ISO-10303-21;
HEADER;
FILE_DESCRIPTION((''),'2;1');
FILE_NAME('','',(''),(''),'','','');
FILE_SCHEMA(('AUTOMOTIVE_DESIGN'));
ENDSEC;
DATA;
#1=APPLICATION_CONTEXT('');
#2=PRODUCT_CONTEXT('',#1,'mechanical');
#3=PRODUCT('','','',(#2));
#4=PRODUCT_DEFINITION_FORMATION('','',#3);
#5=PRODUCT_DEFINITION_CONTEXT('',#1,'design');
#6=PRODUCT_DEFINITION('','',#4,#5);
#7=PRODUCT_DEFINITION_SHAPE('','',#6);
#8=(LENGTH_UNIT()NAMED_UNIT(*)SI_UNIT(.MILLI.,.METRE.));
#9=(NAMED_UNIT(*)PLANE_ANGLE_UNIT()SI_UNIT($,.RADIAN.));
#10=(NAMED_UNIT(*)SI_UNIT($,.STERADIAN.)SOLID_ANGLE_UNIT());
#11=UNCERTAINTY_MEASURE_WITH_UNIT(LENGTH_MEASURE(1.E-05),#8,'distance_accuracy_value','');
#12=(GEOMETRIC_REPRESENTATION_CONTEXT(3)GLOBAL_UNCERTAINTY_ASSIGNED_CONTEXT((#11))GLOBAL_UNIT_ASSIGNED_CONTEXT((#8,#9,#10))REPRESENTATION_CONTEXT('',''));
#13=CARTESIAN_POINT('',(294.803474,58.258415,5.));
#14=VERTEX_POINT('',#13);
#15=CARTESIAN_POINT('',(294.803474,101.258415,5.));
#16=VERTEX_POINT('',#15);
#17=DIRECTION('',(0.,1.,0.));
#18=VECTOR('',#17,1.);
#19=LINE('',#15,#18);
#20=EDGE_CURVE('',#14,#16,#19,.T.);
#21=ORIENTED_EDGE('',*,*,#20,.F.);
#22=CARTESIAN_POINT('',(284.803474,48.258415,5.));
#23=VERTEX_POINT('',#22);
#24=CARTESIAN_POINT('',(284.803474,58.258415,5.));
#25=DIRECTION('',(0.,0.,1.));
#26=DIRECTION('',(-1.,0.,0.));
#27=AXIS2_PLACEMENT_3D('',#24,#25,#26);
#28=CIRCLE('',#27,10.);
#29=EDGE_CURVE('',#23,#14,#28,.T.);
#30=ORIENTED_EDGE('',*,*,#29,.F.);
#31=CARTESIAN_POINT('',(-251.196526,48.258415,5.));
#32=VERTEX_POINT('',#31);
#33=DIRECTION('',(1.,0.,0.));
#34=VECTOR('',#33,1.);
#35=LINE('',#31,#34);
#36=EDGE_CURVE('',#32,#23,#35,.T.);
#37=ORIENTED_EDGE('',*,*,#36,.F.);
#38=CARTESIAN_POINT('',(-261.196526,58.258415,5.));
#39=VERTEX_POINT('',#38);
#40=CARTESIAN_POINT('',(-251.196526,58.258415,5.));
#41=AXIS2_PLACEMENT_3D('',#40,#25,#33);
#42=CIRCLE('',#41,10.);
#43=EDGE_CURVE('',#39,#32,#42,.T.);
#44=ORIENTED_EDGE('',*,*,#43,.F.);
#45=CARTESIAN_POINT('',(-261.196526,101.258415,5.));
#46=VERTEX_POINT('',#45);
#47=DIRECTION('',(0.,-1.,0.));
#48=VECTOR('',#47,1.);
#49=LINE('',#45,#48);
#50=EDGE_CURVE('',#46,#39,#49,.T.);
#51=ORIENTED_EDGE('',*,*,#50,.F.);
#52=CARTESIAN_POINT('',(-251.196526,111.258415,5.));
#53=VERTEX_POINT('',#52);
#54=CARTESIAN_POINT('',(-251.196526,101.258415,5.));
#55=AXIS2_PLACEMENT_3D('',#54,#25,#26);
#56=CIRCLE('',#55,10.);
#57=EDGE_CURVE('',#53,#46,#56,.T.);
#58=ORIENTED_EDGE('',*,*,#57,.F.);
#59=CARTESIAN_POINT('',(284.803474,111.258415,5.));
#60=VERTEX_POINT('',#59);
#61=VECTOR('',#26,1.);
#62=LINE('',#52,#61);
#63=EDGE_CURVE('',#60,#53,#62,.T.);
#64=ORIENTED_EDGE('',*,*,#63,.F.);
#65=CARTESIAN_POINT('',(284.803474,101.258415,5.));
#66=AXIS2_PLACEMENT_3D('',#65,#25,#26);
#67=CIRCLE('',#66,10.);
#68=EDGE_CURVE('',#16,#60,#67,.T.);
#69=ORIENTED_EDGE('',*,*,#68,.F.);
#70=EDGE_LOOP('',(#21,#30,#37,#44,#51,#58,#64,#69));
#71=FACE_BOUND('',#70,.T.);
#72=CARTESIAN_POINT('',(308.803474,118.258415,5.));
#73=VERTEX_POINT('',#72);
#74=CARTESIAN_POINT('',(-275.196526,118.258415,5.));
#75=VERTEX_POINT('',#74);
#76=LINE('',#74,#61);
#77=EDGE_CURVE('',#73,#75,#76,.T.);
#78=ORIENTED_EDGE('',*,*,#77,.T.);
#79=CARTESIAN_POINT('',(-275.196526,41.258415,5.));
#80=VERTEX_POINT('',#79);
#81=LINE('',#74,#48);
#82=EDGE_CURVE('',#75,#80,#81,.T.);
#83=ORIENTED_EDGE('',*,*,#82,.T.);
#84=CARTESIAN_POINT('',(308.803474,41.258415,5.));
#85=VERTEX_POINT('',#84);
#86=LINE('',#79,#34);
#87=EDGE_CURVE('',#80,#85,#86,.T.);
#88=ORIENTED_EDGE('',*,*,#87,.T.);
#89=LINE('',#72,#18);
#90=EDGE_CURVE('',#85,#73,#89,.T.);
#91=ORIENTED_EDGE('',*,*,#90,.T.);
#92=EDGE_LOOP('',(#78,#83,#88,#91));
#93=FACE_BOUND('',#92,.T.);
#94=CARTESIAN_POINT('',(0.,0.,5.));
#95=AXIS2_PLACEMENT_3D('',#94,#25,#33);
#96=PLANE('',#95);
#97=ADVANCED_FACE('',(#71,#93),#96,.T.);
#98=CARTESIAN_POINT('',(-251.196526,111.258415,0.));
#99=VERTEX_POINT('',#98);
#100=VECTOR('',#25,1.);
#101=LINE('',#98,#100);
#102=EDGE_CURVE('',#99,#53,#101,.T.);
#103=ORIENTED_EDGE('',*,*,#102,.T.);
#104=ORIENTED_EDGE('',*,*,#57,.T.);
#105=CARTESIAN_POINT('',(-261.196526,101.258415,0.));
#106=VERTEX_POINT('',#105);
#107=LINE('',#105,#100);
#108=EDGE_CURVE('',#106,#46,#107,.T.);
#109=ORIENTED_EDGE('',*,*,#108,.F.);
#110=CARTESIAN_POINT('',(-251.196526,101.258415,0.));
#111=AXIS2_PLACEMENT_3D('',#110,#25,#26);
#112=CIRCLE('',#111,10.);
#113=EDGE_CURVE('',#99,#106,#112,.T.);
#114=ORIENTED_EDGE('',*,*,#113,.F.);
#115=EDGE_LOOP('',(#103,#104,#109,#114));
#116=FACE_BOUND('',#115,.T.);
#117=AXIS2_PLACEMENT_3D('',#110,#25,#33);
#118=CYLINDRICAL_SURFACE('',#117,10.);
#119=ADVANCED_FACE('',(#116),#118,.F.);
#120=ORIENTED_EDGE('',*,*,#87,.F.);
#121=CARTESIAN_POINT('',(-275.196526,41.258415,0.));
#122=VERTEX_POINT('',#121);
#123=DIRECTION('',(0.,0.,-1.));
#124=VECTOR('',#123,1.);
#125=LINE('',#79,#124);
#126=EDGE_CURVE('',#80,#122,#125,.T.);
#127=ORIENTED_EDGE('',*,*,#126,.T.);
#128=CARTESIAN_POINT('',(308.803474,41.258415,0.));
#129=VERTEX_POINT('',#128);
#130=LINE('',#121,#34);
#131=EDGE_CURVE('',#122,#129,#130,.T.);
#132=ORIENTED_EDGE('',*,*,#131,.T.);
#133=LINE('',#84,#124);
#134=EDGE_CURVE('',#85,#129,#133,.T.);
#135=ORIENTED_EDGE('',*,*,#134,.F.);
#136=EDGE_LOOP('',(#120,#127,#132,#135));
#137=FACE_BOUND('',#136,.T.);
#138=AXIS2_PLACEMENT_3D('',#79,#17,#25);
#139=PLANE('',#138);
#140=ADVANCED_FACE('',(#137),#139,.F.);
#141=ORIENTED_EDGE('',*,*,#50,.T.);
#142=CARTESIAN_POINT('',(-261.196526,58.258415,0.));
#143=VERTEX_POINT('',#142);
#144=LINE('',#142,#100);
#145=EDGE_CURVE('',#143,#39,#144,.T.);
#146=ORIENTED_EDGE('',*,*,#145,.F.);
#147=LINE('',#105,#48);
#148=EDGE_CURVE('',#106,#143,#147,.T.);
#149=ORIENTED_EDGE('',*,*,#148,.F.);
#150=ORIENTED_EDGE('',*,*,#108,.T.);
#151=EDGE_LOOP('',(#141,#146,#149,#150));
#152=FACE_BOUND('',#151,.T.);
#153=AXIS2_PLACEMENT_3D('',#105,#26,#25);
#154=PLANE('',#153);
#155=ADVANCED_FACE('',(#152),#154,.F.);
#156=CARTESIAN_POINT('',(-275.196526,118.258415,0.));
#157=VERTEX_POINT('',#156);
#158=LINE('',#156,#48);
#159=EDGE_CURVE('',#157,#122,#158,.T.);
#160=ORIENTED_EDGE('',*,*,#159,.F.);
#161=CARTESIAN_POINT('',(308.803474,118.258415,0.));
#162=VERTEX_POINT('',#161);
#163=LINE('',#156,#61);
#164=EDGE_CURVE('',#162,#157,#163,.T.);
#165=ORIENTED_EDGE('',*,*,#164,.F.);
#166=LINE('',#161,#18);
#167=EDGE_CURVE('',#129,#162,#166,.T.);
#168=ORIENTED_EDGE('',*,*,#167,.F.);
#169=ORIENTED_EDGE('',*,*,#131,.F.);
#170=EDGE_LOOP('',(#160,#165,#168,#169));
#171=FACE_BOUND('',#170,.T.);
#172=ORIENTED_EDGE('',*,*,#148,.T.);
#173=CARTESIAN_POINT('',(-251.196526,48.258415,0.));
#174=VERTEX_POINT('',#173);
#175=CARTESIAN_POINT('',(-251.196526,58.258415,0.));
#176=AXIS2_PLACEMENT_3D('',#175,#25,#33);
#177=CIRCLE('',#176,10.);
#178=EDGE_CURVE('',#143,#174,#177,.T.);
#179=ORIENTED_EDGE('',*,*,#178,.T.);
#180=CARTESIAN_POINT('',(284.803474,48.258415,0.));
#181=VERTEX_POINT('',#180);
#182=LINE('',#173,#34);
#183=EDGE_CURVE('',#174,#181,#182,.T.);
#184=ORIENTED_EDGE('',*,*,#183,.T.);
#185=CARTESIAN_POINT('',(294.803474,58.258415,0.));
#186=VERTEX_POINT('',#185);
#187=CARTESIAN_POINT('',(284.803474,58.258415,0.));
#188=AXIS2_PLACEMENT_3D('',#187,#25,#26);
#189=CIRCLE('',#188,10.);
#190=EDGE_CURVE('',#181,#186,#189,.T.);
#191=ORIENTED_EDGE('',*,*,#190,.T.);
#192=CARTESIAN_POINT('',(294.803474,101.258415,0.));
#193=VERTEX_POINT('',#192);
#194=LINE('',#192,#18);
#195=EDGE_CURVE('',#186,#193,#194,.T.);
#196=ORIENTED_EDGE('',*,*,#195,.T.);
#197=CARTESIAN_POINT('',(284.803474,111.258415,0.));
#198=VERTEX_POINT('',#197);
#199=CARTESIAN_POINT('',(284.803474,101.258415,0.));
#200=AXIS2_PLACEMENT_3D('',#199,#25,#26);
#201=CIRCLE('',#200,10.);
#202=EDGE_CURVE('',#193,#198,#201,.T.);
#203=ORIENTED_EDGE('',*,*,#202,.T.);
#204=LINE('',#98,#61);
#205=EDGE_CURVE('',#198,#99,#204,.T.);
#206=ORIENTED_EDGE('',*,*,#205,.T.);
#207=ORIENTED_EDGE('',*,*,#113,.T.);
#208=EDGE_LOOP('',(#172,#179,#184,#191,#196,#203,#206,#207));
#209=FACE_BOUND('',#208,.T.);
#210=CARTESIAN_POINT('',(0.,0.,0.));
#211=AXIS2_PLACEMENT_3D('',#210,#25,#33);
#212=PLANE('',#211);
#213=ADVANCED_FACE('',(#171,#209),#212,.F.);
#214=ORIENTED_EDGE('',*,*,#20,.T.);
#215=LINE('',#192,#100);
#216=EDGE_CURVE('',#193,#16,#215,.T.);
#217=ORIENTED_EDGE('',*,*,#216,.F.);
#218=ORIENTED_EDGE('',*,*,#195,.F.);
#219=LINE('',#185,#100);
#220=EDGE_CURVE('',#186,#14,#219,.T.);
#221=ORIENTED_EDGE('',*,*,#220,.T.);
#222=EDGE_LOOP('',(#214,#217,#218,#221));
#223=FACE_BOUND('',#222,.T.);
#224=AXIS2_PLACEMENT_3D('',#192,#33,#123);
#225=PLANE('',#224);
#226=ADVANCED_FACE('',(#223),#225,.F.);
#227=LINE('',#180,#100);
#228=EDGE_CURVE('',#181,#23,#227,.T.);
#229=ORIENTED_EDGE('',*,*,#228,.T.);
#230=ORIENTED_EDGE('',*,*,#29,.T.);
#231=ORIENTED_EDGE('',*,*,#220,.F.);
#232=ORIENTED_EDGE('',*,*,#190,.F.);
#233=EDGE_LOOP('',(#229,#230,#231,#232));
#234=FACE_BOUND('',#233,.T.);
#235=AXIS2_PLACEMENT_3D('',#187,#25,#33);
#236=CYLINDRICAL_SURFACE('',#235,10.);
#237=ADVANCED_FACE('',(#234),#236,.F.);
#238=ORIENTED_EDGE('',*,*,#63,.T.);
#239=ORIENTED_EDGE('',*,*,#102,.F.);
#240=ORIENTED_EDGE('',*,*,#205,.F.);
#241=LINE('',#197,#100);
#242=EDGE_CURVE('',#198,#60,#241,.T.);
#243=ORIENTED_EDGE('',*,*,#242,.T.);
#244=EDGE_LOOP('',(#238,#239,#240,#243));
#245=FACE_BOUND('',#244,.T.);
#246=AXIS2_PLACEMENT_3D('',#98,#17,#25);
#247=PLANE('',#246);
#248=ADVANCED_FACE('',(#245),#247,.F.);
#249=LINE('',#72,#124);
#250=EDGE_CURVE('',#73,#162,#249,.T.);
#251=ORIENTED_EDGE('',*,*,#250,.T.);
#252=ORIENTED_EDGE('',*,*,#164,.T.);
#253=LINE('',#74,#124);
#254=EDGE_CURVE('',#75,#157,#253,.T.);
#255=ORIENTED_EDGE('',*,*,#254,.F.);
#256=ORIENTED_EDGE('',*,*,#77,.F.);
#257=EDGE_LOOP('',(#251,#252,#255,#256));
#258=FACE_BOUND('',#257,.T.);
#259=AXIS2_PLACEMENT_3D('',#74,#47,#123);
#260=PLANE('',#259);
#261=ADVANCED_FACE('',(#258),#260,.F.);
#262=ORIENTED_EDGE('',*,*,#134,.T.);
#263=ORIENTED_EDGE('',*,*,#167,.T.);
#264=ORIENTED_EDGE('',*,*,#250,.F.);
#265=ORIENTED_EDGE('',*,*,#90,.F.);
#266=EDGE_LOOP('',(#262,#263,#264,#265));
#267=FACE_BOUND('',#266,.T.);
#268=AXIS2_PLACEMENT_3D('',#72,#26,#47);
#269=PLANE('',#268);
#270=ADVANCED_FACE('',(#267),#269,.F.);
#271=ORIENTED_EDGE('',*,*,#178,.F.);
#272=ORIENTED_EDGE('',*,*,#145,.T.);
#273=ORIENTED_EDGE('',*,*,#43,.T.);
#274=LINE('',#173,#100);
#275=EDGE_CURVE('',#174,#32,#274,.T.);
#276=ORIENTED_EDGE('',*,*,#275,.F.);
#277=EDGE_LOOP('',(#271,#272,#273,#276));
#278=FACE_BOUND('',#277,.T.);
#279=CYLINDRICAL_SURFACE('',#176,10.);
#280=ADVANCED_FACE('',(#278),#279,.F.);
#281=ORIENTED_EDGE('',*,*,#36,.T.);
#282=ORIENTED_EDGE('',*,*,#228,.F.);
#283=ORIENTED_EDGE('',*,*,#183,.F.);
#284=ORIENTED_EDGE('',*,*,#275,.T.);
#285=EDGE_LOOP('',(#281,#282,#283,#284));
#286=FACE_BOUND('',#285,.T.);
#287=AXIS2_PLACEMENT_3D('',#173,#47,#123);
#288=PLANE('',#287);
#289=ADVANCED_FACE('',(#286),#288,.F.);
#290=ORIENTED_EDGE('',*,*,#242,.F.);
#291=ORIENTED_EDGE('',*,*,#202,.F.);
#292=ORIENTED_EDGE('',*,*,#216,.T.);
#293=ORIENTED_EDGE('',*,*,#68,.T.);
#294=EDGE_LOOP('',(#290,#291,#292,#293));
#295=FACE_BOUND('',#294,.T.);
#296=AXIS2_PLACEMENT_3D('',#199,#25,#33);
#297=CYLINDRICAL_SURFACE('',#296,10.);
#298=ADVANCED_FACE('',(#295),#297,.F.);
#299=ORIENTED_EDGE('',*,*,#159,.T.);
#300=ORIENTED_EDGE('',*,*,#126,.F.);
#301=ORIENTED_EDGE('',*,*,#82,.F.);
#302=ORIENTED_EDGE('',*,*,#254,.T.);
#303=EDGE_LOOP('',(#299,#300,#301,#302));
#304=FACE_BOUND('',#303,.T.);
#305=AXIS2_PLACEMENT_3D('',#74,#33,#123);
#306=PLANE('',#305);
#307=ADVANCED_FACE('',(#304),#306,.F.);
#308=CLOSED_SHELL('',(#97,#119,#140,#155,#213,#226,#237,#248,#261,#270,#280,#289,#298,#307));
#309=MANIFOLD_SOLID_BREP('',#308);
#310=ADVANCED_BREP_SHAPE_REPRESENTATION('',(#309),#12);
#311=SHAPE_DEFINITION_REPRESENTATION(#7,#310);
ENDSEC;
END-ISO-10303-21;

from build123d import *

# Parameters (mm, degrees)
SZKIC1_W                    = 584
SZKIC1_H                    = 77
DODANIE_WYCI_GNI_CIE1_DEPTH = 5
WYTNIJ_WYCI_GNI_CIE1_DEPTH  = 5


with BuildPart() as part:
    # Szkic1 → Dodanie-wyciągnięcie1 (new body)
    with BuildSketch(Plane.XY):
        with Locations((16.803474484, 79.758414767)):
            Rectangle(SZKIC1_W, SZKIC1_H)
    extrude(amount=DODANIE_WYCI_GNI_CIE1_DEPTH)

    # Szkic2 → Wytnij-wyciągnięcie1 (cut)
    with BuildSketch(Plane.XY.offset(5)):
        with BuildLine():
            Line((-251.196525516, 111.258414767), (284.803474484, 111.258414767))
            ThreePointArc((284.803474484, 111.258414767), (291.874542296, 108.329482578), (294.803474484, 101.258414767))
            Line((294.803474484, 101.258414767), (294.803474484, 58.258414767))
            ThreePointArc((294.803474484, 58.258414767), (291.874542296, 51.187346955), (284.803474484, 48.258414767))
            Line((284.803474484, 48.258414767), (-251.196525516, 48.258414767))
            ThreePointArc((-251.196525516, 48.258414767), (-258.267593328, 51.187346955), (-261.196525516, 58.258414767))
            Line((-261.196525516, 58.258414767), (-261.196525516, 101.258414767))
            ThreePointArc((-261.196525516, 101.258414767), (-258.267593328, 108.329482578), (-251.196525516, 111.258414767))
        make_face()
    extrude(amount=-WYTNIJ_WYCI_GNI_CIE1_DEPTH, mode=Mode.SUBTRACT)


solid = part.part
